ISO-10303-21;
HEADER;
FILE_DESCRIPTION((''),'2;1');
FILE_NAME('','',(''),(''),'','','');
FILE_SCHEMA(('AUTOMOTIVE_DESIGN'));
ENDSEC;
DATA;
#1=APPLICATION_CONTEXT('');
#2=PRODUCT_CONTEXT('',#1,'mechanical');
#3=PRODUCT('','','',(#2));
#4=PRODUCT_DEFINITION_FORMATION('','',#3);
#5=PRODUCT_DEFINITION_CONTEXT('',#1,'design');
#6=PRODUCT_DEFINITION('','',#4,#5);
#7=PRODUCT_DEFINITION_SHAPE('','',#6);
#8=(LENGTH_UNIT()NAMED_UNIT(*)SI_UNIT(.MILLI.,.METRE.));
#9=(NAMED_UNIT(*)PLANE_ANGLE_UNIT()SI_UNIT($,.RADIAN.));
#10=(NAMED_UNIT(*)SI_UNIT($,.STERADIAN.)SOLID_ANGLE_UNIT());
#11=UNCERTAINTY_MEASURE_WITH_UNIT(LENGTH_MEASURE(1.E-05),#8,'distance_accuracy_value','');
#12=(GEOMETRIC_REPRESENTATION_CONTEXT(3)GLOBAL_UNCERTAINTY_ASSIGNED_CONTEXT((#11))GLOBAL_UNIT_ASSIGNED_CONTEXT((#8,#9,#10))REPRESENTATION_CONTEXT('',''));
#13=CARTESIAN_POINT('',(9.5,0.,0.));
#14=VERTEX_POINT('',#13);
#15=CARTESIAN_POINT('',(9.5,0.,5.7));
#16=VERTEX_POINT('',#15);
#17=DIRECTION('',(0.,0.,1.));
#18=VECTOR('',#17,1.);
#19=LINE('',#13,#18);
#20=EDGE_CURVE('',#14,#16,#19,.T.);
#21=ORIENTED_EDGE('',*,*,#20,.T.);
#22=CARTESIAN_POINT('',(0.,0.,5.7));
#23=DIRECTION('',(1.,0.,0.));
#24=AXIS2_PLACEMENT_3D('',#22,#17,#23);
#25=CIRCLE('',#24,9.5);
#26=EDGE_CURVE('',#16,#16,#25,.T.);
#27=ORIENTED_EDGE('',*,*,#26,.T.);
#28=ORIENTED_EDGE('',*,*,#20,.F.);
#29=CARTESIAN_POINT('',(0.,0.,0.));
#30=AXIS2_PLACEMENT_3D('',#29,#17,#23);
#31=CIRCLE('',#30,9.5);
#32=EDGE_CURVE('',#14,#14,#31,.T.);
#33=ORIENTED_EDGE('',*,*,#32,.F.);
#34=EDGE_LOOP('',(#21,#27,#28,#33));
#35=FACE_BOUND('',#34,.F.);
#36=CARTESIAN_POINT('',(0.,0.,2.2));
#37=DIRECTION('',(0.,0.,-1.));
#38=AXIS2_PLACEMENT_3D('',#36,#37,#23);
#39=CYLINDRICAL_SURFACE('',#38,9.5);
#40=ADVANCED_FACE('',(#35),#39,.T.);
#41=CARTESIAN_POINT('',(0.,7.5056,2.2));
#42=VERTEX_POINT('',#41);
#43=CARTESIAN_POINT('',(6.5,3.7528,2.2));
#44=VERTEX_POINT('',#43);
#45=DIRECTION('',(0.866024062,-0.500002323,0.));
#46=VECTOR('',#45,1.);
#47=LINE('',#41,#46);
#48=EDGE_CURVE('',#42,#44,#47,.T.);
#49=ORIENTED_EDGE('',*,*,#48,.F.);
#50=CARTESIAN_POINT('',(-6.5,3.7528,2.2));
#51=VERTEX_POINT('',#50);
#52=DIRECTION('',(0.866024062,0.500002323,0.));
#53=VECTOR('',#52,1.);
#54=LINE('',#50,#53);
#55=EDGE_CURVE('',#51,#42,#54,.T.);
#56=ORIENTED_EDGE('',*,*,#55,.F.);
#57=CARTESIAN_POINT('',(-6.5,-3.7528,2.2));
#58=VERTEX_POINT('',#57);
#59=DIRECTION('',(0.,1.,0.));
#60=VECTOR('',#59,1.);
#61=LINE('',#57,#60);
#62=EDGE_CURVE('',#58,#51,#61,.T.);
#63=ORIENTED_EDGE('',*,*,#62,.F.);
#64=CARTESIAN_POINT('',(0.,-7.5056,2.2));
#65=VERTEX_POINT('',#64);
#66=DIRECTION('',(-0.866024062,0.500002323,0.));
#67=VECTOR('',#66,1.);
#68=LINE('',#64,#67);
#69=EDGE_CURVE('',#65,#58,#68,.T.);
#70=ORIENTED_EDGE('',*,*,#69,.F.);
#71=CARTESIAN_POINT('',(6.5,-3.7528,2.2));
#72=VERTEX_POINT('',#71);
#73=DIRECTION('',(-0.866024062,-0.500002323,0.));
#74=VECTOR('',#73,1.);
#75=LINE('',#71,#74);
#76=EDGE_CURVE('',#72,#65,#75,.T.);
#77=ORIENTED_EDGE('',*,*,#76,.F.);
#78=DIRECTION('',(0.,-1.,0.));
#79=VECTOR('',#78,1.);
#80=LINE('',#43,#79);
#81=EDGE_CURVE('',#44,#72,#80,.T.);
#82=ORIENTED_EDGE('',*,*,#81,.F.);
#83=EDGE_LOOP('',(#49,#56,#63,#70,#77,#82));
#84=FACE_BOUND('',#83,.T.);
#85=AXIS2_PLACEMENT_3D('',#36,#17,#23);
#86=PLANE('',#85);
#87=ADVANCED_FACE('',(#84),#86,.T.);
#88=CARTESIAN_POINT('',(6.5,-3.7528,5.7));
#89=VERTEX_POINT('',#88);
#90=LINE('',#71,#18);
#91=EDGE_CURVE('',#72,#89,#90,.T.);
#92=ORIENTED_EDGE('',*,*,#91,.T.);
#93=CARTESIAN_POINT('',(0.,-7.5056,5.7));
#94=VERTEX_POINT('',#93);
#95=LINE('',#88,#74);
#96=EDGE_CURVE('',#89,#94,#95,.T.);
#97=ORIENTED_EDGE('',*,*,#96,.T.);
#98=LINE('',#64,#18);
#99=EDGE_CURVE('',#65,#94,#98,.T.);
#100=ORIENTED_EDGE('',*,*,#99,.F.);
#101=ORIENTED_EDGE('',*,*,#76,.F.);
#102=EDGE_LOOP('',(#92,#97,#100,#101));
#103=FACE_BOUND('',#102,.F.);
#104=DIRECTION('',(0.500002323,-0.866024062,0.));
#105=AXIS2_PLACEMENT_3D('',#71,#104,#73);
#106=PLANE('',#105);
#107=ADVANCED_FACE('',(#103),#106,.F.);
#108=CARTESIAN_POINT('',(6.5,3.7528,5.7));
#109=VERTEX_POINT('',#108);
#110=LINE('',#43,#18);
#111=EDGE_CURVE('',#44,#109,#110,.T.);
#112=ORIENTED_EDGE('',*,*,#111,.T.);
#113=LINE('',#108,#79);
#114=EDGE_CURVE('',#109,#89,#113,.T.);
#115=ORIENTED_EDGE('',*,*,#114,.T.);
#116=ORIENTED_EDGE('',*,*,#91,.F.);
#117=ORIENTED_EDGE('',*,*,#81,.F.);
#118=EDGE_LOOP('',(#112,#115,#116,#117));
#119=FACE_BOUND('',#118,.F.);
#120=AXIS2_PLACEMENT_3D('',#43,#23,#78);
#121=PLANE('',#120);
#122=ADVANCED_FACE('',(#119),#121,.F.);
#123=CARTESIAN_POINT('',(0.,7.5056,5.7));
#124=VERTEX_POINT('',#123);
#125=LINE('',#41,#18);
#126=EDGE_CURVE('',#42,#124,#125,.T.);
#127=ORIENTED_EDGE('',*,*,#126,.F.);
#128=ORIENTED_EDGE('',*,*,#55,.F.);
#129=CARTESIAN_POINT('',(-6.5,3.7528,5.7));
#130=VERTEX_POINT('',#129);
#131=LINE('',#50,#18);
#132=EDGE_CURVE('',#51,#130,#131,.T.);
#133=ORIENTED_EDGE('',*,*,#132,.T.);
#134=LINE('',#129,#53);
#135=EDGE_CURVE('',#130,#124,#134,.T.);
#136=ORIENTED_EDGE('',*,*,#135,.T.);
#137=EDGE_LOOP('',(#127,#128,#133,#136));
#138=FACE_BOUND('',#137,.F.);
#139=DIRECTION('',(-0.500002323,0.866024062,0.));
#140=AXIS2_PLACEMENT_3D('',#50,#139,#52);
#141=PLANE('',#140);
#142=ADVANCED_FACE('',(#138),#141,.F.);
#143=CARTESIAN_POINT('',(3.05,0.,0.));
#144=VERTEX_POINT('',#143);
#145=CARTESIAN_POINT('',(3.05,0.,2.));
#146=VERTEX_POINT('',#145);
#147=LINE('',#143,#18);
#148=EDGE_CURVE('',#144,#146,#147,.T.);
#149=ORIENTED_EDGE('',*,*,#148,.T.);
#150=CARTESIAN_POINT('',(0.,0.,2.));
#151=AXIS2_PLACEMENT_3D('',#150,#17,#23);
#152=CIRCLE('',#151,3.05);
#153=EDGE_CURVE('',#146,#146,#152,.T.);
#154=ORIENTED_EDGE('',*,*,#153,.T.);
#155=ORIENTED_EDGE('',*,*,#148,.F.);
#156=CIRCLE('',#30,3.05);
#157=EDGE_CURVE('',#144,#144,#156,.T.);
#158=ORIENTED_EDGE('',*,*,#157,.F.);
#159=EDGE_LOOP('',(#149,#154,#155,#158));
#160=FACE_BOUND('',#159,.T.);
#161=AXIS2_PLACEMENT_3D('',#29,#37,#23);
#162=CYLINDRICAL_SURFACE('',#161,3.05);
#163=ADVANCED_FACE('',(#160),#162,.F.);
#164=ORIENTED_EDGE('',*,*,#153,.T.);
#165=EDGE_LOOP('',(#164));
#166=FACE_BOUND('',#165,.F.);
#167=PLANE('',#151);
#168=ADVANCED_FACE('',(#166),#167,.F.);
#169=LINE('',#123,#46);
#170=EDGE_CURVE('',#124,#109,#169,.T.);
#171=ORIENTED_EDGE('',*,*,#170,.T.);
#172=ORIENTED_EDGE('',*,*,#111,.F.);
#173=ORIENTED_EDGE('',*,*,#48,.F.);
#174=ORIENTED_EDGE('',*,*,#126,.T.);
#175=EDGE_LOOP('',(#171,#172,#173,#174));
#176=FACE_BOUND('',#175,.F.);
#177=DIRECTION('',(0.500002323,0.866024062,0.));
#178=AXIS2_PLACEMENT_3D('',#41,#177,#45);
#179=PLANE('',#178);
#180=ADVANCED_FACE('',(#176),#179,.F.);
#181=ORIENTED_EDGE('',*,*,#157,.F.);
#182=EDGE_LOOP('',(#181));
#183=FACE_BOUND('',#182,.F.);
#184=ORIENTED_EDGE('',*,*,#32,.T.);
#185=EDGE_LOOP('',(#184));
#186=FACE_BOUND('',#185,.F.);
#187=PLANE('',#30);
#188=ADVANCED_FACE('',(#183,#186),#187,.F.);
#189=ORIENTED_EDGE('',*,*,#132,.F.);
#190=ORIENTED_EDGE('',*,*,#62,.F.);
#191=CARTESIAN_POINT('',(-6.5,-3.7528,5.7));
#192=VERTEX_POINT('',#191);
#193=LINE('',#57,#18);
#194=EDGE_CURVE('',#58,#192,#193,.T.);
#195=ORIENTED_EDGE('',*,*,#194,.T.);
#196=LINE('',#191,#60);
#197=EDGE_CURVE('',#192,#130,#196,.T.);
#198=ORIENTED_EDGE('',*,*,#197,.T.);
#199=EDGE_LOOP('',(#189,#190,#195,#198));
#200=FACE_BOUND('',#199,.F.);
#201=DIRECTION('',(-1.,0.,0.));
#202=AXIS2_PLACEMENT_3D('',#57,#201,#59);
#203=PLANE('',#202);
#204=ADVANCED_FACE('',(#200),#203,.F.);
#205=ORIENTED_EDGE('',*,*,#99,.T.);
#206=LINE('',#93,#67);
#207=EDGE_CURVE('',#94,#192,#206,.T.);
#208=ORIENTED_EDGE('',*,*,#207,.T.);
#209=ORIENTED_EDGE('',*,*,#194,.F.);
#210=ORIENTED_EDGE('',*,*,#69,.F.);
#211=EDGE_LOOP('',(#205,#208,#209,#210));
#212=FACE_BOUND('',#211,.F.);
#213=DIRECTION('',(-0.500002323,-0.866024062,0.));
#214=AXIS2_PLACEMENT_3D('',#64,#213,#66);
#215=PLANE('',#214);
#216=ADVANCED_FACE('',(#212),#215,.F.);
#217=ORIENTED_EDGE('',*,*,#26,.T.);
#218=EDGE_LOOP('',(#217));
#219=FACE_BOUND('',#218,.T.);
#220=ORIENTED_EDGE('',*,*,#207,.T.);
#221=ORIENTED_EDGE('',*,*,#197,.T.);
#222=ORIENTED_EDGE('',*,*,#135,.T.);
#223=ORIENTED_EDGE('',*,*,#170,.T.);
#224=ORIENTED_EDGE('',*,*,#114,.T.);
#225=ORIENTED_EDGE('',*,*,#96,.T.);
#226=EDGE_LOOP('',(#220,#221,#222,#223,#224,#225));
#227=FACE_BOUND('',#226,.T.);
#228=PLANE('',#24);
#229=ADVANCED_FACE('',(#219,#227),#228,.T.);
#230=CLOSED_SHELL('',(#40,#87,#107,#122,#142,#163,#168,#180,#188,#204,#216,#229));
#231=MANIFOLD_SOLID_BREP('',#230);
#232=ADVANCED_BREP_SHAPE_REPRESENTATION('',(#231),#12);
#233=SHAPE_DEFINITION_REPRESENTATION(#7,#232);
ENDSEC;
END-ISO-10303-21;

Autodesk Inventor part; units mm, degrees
ref_plane "YZ Plane" through (0, 0, 0) normal (1, 0, 0) x (0, 1, 0)
ref_plane "XZ Plane" through (0, 0, 0) normal (0, 1, 0) x (-1, 0, 0)
ref_plane "XY Plane" through (0, 0, 0) normal (0, 0, 1) x (1, 0, 0)
sketch "Skizze1" plane through (0, 0, 0) normal (0, 0, 1) x (1, 0, 0)
  circle A0 centre (0, 0) radius 9.5
  circle A1 centre (0, 0) radius 3.05
  dimension "d0" = 6.1
  dimension "d1" = 19
extrude "Extrusion1" add sketch "Skizze1" along normal blind 2
sketch "Skizze2" plane through (0, 0, 2) normal (0, 0, 1) x (1, 0, 0)
  circle A0 centre (0, 0) radius 9.5 projected
extrude "Extrusion2" add sketch "Skizze2" along normal blind 0.2
sketch "Skizze3" plane through (0, 0, 2.2) normal (0, 0, 1) x (1, 0, 0)
  circle A0 centre (0, 0) radius 9.5 projected
  line L0 (0, 7.5056) -> (6.5, 3.7528)
  line L1 (6.5, 3.7528) -> (6.5, -3.7528)
  line L2 (6.5, -3.7528) -> (0, -7.5056)
  line L3 (0, -7.5056) -> (-6.5, -3.7528)
  line L4 (-6.5, -3.7528) -> (-6.5, 3.7528)
  line L5 (-6.5, 3.7528) -> (0, 7.5056)
  dimension "d6" = 13
extrude "Extrusion3" add sketch "Skizze3" along normal blind 3.5
properties part number "M8_encoderMagnet" material "ABS-Kunststoff - Schwarz"
